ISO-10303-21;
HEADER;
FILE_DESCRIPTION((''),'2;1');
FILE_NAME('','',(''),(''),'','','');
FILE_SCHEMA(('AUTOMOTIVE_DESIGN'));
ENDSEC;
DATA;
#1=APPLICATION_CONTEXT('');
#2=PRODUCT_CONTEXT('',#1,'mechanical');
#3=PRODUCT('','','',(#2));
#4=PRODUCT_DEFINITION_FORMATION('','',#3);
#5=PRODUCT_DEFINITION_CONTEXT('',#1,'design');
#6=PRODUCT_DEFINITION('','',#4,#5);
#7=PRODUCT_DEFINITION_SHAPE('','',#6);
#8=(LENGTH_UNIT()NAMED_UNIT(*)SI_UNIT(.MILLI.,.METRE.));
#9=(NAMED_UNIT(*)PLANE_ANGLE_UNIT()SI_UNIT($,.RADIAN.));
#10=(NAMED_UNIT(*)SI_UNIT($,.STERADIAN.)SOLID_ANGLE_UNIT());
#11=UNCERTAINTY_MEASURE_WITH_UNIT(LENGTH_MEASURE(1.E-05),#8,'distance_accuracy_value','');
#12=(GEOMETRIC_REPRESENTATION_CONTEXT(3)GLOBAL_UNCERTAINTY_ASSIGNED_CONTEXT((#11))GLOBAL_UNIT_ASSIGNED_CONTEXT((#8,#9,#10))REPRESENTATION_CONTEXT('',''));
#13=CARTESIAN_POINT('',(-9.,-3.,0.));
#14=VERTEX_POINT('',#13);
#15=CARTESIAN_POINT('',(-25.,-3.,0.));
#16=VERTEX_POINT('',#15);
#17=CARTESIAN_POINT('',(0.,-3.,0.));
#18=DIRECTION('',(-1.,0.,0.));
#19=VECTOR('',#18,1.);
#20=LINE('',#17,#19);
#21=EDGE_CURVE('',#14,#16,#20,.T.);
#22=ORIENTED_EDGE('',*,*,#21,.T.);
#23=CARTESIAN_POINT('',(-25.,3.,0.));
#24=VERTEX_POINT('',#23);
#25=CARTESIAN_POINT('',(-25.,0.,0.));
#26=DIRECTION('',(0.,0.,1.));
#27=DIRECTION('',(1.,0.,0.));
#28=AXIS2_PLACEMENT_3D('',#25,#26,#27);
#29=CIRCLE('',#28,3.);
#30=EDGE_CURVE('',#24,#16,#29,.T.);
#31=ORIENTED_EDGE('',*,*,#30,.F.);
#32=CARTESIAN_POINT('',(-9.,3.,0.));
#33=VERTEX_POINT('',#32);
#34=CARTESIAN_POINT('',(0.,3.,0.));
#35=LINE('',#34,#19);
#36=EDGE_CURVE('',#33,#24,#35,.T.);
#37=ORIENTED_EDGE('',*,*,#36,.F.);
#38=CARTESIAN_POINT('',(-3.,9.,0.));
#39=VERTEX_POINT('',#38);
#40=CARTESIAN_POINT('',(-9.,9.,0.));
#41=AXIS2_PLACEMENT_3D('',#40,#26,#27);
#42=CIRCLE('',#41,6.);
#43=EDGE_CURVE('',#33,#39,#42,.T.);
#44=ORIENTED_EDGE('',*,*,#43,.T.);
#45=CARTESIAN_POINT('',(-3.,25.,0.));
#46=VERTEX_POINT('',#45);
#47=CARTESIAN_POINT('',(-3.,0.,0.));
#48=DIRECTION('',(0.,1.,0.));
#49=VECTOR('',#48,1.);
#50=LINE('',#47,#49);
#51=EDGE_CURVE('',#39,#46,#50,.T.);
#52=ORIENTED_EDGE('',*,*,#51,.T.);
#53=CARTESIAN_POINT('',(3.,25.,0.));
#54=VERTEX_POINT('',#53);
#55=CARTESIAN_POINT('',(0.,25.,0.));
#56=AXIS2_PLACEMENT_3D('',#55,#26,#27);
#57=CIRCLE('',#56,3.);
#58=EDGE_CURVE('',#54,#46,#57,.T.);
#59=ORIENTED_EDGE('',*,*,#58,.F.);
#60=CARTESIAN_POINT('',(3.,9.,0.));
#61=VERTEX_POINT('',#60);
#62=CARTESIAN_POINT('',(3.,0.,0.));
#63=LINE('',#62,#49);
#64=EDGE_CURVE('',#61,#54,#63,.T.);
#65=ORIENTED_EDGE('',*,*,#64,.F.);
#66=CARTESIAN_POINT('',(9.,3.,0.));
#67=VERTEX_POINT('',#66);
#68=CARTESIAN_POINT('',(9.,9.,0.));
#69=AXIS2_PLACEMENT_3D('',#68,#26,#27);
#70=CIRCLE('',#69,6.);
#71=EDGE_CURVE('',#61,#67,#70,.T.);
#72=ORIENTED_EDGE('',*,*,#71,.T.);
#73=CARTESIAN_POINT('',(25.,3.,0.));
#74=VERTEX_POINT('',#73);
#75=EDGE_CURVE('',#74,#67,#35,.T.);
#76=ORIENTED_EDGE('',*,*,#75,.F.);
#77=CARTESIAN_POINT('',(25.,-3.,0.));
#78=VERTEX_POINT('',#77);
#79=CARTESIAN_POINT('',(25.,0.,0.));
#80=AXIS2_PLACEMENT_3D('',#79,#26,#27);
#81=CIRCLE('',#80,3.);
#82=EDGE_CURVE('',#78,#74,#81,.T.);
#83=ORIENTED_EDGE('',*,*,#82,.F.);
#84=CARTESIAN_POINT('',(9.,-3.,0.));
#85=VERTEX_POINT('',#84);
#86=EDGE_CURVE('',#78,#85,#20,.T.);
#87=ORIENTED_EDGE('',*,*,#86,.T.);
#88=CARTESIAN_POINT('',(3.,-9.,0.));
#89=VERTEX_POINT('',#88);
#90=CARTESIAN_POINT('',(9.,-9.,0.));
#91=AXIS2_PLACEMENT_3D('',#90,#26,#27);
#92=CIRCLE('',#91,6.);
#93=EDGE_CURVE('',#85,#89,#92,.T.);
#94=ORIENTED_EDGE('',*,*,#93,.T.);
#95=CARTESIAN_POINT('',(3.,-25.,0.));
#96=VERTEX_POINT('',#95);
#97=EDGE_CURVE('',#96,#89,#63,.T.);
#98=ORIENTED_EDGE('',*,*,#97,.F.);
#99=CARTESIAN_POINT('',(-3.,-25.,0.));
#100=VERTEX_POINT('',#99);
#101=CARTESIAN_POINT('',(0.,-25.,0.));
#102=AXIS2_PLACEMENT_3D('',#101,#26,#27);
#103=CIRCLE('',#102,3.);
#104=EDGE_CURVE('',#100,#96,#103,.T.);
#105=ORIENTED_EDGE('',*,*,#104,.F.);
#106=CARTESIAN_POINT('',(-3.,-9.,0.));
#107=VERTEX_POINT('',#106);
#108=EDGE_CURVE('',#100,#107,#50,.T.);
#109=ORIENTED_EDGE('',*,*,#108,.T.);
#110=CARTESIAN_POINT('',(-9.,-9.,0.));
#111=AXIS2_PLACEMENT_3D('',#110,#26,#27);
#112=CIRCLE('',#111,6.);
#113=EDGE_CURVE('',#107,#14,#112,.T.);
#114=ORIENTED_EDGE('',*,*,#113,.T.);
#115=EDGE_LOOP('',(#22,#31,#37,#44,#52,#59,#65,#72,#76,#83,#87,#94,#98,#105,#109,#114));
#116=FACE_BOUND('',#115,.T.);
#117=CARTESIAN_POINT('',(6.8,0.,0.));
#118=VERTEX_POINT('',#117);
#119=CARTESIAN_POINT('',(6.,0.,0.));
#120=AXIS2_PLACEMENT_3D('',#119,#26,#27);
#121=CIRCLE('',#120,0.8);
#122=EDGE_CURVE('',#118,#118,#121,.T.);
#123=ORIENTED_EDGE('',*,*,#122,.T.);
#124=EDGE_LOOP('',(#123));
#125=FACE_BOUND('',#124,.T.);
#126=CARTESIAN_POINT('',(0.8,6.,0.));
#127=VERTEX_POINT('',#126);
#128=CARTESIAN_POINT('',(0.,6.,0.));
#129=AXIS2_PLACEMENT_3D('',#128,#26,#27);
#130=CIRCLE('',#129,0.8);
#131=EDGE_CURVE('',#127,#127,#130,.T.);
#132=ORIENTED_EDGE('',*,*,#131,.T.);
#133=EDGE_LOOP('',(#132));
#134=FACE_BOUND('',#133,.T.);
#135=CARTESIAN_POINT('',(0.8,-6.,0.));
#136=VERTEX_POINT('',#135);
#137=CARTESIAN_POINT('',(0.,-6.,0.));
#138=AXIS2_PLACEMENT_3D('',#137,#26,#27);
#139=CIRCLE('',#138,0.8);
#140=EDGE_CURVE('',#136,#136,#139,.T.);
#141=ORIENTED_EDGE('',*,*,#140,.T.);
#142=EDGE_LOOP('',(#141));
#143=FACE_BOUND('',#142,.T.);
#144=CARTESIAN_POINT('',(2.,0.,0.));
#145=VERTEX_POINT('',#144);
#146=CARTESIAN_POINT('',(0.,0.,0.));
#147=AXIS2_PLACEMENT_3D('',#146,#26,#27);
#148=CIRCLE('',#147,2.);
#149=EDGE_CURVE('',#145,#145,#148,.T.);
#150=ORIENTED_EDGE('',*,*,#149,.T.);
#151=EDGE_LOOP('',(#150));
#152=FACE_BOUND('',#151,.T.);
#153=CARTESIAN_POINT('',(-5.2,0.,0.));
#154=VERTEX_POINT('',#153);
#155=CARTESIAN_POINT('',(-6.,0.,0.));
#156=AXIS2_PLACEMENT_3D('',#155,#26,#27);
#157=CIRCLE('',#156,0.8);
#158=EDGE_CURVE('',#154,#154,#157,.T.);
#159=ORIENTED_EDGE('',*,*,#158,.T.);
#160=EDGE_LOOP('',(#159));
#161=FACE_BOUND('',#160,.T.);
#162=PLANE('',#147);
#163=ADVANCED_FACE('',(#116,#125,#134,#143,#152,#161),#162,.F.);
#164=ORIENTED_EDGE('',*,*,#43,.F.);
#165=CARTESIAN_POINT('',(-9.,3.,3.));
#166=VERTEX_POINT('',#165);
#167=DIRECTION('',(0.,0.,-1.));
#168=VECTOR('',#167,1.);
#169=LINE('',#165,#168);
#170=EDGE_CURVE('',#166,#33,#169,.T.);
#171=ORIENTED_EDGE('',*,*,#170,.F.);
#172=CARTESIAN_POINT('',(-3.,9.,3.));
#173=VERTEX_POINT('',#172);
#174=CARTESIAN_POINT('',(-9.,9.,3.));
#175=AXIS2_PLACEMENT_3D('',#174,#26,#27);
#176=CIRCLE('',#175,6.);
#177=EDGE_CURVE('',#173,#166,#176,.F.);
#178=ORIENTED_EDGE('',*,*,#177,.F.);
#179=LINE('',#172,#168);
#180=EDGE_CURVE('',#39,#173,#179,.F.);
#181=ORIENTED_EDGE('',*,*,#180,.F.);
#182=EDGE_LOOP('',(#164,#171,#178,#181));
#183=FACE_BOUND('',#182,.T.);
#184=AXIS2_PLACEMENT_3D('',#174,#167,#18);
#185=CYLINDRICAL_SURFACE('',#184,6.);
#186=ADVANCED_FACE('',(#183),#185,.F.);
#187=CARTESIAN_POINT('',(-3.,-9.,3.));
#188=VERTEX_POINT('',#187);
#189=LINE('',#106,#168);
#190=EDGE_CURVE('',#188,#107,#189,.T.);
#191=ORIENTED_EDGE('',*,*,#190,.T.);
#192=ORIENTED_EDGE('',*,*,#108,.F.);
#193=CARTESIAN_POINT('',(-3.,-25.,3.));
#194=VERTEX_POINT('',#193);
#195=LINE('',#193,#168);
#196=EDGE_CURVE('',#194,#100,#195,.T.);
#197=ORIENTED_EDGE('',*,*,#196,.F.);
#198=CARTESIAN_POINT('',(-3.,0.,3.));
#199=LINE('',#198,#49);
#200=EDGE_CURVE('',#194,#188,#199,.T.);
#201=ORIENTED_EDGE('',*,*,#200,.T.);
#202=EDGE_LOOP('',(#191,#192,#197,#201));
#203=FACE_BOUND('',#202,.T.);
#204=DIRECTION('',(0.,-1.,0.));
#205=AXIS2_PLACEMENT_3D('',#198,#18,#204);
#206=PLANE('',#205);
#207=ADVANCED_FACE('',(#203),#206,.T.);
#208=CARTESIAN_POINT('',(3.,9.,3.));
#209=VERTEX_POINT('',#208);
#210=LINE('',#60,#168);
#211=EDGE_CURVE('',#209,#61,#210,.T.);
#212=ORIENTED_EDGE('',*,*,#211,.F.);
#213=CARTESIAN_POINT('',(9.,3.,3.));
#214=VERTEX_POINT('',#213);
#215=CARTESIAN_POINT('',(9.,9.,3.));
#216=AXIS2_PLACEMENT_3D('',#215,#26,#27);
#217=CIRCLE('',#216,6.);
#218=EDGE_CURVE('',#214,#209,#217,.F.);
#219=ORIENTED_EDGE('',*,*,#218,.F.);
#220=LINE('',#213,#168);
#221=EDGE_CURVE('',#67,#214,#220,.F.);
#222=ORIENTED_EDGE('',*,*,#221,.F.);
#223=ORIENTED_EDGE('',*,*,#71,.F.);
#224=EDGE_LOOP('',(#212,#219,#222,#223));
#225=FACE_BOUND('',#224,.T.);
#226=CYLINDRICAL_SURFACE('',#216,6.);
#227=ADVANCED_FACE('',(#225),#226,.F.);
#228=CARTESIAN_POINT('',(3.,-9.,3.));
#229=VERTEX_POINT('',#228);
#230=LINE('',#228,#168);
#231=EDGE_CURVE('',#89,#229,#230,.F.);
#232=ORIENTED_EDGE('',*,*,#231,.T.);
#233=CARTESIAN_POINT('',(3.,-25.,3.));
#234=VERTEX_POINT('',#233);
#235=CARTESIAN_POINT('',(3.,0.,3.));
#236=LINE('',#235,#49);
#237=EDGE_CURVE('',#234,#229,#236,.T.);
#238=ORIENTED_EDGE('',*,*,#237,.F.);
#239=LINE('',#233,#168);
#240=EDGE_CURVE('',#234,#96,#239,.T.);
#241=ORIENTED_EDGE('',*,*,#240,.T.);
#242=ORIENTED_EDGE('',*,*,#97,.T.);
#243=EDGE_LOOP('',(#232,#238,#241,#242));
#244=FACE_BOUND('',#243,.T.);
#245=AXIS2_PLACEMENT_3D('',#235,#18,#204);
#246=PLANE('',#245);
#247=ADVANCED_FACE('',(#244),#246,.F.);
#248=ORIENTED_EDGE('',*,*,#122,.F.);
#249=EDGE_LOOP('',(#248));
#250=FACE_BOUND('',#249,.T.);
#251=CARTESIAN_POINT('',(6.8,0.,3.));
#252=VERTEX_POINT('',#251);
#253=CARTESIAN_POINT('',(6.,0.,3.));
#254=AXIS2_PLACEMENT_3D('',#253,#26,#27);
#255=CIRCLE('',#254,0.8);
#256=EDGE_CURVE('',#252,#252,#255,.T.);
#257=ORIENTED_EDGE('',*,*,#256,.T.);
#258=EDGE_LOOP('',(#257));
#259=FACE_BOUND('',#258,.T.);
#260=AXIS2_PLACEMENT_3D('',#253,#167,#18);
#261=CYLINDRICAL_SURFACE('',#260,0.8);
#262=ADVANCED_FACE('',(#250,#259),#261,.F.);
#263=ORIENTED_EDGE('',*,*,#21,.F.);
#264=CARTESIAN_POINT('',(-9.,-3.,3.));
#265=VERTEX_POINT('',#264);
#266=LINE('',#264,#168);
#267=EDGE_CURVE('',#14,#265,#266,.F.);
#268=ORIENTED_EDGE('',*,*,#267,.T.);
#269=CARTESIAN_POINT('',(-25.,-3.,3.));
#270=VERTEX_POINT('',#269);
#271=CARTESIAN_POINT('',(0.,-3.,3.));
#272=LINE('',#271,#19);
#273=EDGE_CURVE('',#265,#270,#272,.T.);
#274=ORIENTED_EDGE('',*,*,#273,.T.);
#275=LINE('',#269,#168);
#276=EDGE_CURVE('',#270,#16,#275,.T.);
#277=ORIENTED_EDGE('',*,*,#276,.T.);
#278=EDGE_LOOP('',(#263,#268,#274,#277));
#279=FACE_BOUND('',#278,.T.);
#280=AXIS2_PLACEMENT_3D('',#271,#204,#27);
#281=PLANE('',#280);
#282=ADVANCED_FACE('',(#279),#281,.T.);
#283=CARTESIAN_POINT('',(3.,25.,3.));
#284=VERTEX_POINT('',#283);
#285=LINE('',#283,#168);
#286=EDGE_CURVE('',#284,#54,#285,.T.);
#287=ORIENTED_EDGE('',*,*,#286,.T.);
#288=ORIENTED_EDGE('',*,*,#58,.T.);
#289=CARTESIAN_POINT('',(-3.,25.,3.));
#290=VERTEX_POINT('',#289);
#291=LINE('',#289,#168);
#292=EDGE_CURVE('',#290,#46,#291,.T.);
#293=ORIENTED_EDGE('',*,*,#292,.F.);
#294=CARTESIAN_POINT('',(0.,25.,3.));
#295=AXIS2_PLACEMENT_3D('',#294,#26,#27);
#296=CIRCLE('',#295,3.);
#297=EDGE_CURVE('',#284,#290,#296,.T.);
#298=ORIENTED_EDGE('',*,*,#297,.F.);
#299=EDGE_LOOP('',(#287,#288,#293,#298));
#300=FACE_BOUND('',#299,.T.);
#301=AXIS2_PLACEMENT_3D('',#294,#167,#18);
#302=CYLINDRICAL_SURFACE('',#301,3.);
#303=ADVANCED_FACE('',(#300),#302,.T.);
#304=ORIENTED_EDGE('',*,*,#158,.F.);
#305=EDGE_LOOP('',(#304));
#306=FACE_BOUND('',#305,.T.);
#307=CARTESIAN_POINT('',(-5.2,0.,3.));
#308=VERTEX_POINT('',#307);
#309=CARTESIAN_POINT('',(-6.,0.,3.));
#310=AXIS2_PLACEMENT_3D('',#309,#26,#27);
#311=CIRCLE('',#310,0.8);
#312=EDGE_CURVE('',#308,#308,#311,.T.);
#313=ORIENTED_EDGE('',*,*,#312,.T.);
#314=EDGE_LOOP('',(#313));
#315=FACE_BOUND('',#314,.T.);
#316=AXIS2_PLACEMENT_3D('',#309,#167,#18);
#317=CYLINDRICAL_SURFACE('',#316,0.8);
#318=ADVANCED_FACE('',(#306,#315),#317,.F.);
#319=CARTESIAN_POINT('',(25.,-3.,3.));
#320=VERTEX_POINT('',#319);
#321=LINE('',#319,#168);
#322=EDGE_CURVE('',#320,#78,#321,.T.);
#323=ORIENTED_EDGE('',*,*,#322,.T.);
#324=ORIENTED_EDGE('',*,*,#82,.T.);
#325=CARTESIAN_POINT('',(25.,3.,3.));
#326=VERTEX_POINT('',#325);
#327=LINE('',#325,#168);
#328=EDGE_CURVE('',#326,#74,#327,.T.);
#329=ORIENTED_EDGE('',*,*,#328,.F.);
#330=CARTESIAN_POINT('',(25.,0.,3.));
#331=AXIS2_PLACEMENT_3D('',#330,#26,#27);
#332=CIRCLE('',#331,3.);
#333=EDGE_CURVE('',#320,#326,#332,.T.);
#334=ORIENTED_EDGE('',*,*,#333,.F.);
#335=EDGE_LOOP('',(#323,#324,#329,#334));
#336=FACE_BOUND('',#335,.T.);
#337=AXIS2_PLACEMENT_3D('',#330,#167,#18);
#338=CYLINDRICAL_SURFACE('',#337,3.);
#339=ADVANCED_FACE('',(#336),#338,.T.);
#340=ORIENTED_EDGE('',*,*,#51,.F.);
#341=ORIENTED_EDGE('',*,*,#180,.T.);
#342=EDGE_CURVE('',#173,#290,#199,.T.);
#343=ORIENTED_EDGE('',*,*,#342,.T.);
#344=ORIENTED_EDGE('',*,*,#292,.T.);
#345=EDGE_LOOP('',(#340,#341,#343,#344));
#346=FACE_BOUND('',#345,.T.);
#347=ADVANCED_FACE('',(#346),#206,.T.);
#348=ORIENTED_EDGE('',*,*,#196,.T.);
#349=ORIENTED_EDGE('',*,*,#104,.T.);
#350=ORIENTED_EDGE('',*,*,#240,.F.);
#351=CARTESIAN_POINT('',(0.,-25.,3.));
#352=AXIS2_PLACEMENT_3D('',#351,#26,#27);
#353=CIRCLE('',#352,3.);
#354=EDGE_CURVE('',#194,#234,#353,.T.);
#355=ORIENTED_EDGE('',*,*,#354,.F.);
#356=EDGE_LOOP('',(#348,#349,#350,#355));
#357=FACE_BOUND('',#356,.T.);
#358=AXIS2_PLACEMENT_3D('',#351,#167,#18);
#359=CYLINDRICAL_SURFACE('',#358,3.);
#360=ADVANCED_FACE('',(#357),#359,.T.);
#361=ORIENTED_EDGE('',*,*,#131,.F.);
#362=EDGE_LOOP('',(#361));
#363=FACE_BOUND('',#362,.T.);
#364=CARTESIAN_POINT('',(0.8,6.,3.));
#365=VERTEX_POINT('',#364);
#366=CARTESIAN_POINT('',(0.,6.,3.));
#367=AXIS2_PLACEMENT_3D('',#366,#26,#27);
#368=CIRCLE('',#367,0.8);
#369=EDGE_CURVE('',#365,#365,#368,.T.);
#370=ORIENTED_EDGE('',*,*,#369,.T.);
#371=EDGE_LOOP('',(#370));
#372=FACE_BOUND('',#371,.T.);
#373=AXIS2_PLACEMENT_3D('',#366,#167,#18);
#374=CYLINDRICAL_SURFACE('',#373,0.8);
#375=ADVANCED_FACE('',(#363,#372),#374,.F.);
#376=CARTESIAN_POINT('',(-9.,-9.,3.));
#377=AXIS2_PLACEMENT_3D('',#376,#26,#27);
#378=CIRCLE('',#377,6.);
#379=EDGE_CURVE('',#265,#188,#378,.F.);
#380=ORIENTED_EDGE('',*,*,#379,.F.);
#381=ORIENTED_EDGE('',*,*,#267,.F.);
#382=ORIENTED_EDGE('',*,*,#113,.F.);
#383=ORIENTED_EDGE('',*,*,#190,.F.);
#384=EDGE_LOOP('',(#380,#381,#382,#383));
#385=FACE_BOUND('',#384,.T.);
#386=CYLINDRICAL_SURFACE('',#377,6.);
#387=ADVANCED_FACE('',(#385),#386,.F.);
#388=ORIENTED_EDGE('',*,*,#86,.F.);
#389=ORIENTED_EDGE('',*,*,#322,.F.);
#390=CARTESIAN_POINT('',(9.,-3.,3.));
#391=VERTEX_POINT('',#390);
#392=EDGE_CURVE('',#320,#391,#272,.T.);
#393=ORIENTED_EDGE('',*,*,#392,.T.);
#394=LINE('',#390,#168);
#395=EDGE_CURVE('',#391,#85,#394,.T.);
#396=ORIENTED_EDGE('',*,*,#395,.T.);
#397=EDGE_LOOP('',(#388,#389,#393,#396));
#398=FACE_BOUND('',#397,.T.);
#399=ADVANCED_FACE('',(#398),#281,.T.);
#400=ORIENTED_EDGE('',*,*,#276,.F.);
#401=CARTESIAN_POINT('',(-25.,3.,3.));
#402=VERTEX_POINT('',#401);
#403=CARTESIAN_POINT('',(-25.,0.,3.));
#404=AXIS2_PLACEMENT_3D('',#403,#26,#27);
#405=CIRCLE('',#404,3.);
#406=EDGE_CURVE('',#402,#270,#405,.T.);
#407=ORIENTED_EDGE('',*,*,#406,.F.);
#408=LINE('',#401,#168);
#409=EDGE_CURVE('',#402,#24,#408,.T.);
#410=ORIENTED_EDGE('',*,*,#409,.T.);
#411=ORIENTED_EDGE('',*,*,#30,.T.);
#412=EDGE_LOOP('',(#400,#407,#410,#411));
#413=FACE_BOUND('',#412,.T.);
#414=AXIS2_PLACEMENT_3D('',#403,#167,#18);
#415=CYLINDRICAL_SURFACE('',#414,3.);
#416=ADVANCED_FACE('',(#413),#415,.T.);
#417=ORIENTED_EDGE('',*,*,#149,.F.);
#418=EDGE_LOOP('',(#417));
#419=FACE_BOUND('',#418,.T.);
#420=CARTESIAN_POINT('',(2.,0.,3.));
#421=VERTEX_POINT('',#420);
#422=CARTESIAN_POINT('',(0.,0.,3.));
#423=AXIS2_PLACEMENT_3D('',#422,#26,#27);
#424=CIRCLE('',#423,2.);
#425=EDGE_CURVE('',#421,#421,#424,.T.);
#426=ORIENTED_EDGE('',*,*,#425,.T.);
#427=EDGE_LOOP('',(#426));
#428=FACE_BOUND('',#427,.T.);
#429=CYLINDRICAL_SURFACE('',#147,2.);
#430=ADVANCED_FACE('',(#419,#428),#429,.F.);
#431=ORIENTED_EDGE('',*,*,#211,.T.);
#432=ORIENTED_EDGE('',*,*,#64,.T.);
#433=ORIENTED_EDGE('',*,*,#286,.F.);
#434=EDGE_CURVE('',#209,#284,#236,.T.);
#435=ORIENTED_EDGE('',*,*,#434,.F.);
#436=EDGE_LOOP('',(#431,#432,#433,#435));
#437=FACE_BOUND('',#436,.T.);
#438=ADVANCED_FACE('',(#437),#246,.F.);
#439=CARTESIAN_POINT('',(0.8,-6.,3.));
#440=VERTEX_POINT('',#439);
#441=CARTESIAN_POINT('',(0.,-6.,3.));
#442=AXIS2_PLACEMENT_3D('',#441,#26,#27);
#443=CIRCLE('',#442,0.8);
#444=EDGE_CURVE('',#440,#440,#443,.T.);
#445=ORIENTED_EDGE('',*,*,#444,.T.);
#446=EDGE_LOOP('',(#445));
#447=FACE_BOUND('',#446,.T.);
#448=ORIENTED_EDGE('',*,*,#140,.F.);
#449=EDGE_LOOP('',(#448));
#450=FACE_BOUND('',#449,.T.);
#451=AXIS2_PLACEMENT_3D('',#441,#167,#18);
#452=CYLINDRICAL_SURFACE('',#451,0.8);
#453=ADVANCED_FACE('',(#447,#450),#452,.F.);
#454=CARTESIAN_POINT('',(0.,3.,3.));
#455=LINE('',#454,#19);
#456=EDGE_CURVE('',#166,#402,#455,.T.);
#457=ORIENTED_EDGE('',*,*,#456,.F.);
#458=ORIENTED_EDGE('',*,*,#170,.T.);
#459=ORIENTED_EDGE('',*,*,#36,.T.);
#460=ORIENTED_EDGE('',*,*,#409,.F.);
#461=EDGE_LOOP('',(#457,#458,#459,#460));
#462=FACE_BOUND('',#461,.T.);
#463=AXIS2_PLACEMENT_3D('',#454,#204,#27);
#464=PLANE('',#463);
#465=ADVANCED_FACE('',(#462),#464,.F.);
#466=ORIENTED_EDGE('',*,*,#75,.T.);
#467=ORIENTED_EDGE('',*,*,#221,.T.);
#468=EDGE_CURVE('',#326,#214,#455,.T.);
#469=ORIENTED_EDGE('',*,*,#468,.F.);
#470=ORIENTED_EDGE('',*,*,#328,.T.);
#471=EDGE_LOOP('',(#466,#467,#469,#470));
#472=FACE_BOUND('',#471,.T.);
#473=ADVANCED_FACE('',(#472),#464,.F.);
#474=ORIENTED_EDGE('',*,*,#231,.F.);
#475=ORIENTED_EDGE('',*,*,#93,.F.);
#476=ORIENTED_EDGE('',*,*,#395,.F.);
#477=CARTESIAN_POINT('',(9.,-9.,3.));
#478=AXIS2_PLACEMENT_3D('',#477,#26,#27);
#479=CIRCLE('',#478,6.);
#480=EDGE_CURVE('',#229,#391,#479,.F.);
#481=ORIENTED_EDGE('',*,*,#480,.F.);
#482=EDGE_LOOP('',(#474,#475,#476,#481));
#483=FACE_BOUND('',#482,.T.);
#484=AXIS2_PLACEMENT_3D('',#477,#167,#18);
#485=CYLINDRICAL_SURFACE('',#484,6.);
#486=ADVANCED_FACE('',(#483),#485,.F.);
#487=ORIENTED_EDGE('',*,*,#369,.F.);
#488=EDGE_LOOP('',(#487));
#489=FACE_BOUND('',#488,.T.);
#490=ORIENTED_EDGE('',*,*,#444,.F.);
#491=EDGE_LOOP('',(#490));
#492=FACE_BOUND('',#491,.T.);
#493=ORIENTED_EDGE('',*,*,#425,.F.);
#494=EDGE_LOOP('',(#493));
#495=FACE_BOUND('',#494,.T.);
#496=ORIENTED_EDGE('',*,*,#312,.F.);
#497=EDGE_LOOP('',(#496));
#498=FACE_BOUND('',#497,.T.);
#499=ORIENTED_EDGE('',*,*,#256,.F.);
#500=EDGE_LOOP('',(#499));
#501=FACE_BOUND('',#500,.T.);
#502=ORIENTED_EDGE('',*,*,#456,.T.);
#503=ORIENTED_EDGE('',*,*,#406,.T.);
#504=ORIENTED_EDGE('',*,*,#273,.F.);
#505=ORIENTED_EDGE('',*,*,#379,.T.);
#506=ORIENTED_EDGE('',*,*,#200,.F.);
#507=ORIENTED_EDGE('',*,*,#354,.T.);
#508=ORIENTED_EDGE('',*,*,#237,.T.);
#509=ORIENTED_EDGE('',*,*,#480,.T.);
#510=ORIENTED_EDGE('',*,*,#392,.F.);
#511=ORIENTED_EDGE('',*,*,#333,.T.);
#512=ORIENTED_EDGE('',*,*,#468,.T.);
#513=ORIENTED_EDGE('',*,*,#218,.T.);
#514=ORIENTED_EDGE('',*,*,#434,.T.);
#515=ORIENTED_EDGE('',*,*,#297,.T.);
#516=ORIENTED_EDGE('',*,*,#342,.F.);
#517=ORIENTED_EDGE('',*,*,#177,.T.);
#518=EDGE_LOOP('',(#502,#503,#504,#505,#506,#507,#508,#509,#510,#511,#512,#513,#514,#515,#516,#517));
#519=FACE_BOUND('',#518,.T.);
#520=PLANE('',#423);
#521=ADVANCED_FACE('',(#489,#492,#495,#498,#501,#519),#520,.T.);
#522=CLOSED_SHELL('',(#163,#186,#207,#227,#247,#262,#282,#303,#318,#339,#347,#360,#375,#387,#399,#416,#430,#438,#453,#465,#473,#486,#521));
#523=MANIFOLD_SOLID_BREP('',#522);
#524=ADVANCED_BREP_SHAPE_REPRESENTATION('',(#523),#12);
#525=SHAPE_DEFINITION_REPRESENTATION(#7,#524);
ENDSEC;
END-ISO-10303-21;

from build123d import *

# Parameters (mm, degrees)
SKETCH1_R           = 0.8
BOSS_EXTRUDE1_DEPTH = 3
FILLET1_R           = 6
SKETCH2_R           = 2
CUT_EXTRUDE1_DEPTH  = 3


with BuildPart() as part:
    # Sketch1 → Boss-Extrude1 (new body)
    # profile 1 of 2: a face of its own
    with BuildSketch(Plane.XY):
        with BuildLine():
            Line((25, -3), (-25, -3))
            ThreePointArc((-25, -3), (-28, 0), (-25, 3))
            Line((-25, 3), (25, 3))
            ThreePointArc((25, 3), (28, 0), (25, -3))
        make_face()
        with Locations((-6, 0)):
            Circle(SKETCH1_R, mode=Mode.SUBTRACT)
        with Locations((6, 0)):
            Circle(SKETCH1_R, mode=Mode.SUBTRACT)
    # profile 2 of 2: a face of its own
    with BuildSketch(Plane.XY):
        with BuildLine():
            Line((-3, -25), (-3, 25))
            ThreePointArc((-3, 25), (0, 28), (3, 25))
            Line((3, 25), (3, -25))
            ThreePointArc((3, -25), (0, -28), (-3, -25))
        make_face()
        with Locations((0, 6)):
            Circle(SKETCH1_R, mode=Mode.SUBTRACT)
        with Locations((0, -6)):
            Circle(SKETCH1_R, mode=Mode.SUBTRACT)
    extrude(amount=BOSS_EXTRUDE1_DEPTH)

    # Fillet1
    fillet1_edges = [part.edges().sort_by_distance(p)[0] for p in [
        (3, -3, 1.5),
        (-3, -3, 1.5),
        (-3, 3, 1.5),
        (3, 3, 1.5),
    ]]
    fillet(fillet1_edges, radius=FILLET1_R)

    # Sketch2 → Cut-Extrude1 (cut)
    with BuildSketch(Plane.XY.offset(3)):
        Circle(SKETCH2_R)
    extrude(amount=-CUT_EXTRUDE1_DEPTH, mode=Mode.SUBTRACT)


solid = part.part
